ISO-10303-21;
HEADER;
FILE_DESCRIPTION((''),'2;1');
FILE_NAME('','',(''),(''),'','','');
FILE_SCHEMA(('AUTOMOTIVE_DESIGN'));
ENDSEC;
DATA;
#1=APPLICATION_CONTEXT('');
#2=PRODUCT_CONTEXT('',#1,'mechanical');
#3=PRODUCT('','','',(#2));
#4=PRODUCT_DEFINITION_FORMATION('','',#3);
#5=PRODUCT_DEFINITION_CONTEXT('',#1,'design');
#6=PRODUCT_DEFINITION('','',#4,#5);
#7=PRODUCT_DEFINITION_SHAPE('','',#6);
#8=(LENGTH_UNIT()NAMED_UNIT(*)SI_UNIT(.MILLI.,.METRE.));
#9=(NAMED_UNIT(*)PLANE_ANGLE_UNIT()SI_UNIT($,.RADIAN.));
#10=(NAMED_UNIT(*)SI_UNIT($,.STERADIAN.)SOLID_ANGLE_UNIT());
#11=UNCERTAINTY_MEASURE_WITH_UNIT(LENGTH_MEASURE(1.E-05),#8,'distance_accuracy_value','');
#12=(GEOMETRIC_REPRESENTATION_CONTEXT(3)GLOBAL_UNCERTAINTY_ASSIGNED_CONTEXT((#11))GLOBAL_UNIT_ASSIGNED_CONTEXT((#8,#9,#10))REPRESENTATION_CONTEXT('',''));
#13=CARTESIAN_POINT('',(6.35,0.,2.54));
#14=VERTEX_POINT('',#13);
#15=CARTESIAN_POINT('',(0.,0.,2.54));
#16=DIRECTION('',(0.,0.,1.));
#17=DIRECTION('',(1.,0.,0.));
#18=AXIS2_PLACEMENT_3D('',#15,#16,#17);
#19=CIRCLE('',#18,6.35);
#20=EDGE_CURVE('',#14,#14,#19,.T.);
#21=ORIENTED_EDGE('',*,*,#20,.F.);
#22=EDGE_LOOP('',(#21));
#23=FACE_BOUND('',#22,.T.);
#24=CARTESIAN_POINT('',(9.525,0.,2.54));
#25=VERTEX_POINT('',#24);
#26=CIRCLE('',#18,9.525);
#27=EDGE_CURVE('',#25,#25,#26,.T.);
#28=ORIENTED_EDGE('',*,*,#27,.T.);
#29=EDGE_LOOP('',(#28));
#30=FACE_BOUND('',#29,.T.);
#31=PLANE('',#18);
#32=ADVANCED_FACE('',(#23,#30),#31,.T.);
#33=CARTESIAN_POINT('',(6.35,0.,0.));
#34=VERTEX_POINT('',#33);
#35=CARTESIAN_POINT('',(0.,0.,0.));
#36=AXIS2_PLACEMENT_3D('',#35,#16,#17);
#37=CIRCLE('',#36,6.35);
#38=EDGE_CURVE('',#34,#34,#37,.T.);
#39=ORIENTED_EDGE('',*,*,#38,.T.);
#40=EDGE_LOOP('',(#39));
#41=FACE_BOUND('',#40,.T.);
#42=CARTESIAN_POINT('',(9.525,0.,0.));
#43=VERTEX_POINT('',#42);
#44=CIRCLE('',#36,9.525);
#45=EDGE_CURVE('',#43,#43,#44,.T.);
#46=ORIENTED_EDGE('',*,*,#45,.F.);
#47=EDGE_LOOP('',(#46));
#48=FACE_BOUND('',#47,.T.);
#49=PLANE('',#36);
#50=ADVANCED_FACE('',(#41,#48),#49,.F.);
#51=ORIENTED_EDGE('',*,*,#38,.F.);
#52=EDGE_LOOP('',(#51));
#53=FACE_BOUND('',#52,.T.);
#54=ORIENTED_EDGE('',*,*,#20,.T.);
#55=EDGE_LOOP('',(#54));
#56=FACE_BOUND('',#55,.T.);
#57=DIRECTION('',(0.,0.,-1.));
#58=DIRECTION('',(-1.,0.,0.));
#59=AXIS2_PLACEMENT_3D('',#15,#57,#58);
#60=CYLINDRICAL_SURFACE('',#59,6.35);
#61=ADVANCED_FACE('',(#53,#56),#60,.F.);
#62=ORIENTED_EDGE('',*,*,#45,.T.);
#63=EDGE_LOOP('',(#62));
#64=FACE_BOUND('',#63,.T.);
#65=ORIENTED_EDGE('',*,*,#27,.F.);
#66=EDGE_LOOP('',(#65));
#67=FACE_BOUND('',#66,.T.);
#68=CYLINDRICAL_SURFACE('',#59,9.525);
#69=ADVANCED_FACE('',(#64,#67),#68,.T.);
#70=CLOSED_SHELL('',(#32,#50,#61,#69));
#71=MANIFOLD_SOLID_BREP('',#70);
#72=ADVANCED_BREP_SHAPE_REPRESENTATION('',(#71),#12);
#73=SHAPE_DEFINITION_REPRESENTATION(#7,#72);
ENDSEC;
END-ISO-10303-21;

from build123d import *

# Parameters (mm, degrees)
SKETCH1_R           = 9.525
SKETCH1_R_2         = 6.35
BOSS_EXTRUDE1_DEPTH = 2.54


with BuildPart() as part:
    # Sketch1 → Boss-Extrude1 (new body)
    with BuildSketch(Plane.XY):
        Circle(SKETCH1_R)
        Circle(SKETCH1_R_2, mode=Mode.SUBTRACT)
    extrude(amount=BOSS_EXTRUDE1_DEPTH)


solid = part.part
